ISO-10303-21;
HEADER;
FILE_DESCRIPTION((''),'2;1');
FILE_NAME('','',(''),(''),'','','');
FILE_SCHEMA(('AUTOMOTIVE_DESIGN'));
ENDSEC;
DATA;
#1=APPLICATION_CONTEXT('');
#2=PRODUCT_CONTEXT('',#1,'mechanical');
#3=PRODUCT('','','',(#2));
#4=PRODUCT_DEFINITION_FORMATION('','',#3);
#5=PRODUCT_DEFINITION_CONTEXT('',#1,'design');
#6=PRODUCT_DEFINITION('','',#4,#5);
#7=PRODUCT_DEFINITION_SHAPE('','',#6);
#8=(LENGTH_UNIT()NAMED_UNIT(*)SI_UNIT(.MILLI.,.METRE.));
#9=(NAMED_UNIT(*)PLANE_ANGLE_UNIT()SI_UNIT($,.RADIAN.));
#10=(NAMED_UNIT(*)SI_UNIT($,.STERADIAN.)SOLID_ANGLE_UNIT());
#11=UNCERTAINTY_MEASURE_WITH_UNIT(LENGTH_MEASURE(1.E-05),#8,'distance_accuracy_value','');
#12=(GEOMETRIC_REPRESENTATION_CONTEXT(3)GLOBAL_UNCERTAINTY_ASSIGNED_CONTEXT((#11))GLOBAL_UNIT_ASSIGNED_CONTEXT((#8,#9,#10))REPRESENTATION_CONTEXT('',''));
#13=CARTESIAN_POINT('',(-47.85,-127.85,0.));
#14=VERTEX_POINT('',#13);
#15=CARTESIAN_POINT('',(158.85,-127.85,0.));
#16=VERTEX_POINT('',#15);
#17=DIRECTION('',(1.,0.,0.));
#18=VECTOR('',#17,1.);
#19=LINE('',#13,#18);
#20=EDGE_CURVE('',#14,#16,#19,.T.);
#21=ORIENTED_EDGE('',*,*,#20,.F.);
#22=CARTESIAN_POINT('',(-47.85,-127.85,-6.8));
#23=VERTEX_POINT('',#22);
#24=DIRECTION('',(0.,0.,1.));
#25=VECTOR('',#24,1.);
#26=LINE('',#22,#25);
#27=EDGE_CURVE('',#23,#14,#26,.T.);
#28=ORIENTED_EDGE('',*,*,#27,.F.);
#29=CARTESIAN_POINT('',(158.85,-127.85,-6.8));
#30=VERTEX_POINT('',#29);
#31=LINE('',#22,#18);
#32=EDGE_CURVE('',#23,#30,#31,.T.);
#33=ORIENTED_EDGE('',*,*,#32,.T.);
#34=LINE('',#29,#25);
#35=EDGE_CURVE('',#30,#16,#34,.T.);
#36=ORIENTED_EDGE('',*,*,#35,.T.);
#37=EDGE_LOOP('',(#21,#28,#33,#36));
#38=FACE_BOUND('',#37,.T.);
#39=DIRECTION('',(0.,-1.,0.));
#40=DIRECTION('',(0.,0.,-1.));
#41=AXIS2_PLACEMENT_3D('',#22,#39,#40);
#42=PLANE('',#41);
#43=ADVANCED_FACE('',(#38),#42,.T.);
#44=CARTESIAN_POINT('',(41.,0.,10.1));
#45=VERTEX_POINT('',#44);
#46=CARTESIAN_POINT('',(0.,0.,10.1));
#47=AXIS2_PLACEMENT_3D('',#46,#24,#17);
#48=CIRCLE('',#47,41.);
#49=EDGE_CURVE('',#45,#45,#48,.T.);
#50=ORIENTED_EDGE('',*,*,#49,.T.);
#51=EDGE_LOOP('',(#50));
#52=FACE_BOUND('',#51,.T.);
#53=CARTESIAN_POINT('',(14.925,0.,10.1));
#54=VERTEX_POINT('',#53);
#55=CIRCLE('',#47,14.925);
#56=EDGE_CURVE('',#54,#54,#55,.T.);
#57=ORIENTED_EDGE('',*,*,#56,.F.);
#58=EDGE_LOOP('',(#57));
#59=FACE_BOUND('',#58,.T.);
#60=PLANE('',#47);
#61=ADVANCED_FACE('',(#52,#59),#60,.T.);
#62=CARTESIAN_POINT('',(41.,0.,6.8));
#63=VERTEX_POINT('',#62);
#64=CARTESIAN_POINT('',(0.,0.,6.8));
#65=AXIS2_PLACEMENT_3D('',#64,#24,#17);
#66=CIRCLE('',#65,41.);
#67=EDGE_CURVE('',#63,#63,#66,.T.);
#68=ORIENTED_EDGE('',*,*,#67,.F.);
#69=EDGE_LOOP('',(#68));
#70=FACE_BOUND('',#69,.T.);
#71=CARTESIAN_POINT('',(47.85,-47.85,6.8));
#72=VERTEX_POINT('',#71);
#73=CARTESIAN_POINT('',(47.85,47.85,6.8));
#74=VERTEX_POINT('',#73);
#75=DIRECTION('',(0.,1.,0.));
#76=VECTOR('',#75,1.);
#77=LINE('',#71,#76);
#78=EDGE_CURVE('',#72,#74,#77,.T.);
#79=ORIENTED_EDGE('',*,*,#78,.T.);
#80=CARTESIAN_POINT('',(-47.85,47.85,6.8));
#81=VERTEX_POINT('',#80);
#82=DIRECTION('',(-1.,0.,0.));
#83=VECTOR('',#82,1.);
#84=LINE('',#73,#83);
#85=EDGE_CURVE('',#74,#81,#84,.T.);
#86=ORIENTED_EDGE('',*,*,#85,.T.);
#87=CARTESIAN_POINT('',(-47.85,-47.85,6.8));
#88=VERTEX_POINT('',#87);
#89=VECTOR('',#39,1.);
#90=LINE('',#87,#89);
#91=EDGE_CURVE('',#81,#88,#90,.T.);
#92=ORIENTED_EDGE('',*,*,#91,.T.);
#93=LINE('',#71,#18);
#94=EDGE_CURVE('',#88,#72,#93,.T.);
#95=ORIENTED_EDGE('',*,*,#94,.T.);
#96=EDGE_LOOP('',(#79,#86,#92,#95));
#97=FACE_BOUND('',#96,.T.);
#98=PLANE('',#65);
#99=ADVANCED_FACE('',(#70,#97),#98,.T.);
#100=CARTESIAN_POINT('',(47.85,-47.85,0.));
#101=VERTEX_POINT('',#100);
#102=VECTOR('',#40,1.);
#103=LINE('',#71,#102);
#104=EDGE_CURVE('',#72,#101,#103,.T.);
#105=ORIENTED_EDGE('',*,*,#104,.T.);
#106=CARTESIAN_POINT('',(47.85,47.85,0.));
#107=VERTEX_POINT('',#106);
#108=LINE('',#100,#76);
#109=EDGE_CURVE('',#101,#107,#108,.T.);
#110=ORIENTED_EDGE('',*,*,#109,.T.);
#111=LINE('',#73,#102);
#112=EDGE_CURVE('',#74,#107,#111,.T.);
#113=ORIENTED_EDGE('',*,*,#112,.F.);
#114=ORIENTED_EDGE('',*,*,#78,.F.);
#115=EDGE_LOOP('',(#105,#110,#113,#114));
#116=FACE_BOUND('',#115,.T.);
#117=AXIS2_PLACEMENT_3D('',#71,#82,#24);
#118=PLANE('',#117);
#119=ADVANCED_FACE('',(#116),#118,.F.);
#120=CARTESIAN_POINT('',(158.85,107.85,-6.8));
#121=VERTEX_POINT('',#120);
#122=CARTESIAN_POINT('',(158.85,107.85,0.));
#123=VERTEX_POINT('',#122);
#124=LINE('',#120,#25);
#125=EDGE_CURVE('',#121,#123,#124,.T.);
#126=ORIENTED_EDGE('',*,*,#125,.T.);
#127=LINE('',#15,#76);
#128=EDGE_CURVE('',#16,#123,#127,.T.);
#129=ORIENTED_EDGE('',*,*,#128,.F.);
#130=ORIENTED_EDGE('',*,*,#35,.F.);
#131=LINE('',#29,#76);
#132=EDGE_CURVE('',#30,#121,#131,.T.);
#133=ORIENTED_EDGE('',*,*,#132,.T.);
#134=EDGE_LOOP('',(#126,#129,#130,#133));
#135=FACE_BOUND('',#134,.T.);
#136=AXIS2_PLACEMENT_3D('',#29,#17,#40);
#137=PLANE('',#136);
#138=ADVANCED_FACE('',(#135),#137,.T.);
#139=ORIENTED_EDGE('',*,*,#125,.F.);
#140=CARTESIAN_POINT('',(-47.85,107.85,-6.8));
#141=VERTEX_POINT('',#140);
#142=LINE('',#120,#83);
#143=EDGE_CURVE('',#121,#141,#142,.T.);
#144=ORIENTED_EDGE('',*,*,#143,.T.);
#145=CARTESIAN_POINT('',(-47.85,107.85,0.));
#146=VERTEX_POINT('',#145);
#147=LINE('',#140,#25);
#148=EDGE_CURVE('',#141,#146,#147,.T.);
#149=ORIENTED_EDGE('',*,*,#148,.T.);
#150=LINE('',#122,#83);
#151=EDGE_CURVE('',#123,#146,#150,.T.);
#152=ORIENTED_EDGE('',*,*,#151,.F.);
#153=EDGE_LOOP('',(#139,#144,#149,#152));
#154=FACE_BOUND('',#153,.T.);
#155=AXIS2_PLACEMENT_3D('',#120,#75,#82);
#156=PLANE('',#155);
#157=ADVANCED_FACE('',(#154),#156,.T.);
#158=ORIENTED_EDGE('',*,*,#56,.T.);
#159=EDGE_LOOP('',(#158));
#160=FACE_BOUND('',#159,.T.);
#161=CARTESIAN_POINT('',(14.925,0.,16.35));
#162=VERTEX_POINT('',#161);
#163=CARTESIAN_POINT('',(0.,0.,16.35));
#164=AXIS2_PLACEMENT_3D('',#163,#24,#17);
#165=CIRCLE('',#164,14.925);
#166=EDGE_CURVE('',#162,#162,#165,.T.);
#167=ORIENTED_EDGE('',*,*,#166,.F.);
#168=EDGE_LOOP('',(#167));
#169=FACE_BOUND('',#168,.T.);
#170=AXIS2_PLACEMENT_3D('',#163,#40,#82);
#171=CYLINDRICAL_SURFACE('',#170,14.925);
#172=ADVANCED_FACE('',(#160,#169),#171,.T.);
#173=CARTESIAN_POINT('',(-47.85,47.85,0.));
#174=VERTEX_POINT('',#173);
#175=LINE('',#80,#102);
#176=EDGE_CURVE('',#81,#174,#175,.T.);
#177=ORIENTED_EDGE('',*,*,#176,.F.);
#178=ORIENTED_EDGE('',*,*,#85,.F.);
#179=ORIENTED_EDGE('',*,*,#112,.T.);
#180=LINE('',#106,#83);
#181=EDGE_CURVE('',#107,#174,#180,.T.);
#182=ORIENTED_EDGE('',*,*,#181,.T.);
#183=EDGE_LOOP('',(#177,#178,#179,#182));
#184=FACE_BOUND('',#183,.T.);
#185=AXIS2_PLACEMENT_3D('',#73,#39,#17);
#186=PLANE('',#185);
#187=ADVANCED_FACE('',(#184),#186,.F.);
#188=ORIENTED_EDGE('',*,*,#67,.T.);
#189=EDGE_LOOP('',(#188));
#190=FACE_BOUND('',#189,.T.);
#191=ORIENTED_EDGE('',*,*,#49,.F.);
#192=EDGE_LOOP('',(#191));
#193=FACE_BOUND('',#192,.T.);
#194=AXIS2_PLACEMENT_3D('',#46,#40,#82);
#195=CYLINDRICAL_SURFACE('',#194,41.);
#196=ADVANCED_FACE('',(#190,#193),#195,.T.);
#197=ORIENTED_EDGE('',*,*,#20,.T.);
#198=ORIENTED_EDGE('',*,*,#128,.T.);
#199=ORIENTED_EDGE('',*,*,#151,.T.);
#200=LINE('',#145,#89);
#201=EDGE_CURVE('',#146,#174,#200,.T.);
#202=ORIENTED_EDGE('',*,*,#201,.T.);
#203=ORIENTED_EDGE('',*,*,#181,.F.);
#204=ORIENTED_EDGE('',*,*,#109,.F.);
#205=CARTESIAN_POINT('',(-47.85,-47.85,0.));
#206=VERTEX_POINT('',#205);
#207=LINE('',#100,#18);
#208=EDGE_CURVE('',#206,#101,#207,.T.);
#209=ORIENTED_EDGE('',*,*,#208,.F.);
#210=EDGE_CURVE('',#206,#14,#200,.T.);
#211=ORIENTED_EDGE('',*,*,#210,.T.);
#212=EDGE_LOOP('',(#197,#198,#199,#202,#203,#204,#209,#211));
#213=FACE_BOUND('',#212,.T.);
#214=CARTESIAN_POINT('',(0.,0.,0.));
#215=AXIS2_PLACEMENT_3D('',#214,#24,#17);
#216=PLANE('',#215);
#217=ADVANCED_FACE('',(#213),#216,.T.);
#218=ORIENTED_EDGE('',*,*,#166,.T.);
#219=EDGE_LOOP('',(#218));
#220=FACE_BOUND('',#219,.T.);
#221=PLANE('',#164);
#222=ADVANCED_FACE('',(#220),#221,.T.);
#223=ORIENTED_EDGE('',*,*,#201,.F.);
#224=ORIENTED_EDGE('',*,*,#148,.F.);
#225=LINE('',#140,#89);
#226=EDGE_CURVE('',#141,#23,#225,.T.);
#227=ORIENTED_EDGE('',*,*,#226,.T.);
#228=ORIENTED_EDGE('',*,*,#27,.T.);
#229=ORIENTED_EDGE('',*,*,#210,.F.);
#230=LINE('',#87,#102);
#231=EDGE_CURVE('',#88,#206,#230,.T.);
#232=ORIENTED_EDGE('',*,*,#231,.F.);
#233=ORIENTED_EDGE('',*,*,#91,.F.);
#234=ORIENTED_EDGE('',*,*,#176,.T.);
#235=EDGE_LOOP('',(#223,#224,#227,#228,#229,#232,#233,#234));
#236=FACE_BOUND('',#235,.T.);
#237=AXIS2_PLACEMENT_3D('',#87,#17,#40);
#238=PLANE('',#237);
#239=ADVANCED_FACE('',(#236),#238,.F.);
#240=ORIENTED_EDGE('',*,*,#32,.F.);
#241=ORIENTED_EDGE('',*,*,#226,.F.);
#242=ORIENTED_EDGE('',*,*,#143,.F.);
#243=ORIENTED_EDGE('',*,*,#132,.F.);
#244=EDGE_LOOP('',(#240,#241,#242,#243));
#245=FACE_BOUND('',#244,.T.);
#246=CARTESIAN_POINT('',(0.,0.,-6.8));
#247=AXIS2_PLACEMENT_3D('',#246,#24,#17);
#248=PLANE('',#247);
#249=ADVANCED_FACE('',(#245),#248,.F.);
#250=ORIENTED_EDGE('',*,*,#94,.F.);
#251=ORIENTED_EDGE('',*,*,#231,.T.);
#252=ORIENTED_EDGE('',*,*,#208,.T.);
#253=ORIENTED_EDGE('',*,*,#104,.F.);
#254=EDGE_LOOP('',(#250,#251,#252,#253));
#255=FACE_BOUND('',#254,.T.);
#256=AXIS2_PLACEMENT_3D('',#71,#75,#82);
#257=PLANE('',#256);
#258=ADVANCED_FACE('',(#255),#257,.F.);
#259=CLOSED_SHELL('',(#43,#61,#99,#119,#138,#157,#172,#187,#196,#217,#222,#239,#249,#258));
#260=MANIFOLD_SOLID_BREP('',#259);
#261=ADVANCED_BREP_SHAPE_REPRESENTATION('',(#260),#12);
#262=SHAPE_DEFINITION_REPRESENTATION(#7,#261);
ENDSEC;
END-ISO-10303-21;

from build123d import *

# Parameters (mm, degrees)
SKETCH1_W           = 95.7
SKETCH1_H           = 95.7
BOSS_EXTRUDE1_DEPTH = 6.8
SKETCH2_W           = 206.7
SKETCH2_H           = 235.7
BOSS_EXTRUDE2_DEPTH = 6.8
SKETCH3_R           = 41
BOSS_EXTRUDE3_DEPTH = 3.3
SKETCH4_R           = 14.925
BOSS_EXTRUDE4_DEPTH = 6.25


with BuildPart() as part:
    # Sketch1 → Boss-Extrude1 (new body)
    with BuildSketch(Plane.XY):
        Rectangle(SKETCH1_W, SKETCH1_H)
    extrude(amount=BOSS_EXTRUDE1_DEPTH)

    # Sketch2 → Boss-Extrude2 (add)
    with BuildSketch(Plane.XY):
        with Locations((55.5, -10)):
            Rectangle(SKETCH2_W, SKETCH2_H)
    extrude(amount=-BOSS_EXTRUDE2_DEPTH)

    # Sketch3 → Boss-Extrude3 (add)
    with BuildSketch(Plane.XY.offset(6.8)):
        Circle(SKETCH3_R)
    extrude(amount=BOSS_EXTRUDE3_DEPTH)

    # Sketch4 → Boss-Extrude4 (add)
    with BuildSketch(Plane.XY.offset(10.1)):
        Circle(SKETCH4_R)
    extrude(amount=BOSS_EXTRUDE4_DEPTH)


solid = part.part
